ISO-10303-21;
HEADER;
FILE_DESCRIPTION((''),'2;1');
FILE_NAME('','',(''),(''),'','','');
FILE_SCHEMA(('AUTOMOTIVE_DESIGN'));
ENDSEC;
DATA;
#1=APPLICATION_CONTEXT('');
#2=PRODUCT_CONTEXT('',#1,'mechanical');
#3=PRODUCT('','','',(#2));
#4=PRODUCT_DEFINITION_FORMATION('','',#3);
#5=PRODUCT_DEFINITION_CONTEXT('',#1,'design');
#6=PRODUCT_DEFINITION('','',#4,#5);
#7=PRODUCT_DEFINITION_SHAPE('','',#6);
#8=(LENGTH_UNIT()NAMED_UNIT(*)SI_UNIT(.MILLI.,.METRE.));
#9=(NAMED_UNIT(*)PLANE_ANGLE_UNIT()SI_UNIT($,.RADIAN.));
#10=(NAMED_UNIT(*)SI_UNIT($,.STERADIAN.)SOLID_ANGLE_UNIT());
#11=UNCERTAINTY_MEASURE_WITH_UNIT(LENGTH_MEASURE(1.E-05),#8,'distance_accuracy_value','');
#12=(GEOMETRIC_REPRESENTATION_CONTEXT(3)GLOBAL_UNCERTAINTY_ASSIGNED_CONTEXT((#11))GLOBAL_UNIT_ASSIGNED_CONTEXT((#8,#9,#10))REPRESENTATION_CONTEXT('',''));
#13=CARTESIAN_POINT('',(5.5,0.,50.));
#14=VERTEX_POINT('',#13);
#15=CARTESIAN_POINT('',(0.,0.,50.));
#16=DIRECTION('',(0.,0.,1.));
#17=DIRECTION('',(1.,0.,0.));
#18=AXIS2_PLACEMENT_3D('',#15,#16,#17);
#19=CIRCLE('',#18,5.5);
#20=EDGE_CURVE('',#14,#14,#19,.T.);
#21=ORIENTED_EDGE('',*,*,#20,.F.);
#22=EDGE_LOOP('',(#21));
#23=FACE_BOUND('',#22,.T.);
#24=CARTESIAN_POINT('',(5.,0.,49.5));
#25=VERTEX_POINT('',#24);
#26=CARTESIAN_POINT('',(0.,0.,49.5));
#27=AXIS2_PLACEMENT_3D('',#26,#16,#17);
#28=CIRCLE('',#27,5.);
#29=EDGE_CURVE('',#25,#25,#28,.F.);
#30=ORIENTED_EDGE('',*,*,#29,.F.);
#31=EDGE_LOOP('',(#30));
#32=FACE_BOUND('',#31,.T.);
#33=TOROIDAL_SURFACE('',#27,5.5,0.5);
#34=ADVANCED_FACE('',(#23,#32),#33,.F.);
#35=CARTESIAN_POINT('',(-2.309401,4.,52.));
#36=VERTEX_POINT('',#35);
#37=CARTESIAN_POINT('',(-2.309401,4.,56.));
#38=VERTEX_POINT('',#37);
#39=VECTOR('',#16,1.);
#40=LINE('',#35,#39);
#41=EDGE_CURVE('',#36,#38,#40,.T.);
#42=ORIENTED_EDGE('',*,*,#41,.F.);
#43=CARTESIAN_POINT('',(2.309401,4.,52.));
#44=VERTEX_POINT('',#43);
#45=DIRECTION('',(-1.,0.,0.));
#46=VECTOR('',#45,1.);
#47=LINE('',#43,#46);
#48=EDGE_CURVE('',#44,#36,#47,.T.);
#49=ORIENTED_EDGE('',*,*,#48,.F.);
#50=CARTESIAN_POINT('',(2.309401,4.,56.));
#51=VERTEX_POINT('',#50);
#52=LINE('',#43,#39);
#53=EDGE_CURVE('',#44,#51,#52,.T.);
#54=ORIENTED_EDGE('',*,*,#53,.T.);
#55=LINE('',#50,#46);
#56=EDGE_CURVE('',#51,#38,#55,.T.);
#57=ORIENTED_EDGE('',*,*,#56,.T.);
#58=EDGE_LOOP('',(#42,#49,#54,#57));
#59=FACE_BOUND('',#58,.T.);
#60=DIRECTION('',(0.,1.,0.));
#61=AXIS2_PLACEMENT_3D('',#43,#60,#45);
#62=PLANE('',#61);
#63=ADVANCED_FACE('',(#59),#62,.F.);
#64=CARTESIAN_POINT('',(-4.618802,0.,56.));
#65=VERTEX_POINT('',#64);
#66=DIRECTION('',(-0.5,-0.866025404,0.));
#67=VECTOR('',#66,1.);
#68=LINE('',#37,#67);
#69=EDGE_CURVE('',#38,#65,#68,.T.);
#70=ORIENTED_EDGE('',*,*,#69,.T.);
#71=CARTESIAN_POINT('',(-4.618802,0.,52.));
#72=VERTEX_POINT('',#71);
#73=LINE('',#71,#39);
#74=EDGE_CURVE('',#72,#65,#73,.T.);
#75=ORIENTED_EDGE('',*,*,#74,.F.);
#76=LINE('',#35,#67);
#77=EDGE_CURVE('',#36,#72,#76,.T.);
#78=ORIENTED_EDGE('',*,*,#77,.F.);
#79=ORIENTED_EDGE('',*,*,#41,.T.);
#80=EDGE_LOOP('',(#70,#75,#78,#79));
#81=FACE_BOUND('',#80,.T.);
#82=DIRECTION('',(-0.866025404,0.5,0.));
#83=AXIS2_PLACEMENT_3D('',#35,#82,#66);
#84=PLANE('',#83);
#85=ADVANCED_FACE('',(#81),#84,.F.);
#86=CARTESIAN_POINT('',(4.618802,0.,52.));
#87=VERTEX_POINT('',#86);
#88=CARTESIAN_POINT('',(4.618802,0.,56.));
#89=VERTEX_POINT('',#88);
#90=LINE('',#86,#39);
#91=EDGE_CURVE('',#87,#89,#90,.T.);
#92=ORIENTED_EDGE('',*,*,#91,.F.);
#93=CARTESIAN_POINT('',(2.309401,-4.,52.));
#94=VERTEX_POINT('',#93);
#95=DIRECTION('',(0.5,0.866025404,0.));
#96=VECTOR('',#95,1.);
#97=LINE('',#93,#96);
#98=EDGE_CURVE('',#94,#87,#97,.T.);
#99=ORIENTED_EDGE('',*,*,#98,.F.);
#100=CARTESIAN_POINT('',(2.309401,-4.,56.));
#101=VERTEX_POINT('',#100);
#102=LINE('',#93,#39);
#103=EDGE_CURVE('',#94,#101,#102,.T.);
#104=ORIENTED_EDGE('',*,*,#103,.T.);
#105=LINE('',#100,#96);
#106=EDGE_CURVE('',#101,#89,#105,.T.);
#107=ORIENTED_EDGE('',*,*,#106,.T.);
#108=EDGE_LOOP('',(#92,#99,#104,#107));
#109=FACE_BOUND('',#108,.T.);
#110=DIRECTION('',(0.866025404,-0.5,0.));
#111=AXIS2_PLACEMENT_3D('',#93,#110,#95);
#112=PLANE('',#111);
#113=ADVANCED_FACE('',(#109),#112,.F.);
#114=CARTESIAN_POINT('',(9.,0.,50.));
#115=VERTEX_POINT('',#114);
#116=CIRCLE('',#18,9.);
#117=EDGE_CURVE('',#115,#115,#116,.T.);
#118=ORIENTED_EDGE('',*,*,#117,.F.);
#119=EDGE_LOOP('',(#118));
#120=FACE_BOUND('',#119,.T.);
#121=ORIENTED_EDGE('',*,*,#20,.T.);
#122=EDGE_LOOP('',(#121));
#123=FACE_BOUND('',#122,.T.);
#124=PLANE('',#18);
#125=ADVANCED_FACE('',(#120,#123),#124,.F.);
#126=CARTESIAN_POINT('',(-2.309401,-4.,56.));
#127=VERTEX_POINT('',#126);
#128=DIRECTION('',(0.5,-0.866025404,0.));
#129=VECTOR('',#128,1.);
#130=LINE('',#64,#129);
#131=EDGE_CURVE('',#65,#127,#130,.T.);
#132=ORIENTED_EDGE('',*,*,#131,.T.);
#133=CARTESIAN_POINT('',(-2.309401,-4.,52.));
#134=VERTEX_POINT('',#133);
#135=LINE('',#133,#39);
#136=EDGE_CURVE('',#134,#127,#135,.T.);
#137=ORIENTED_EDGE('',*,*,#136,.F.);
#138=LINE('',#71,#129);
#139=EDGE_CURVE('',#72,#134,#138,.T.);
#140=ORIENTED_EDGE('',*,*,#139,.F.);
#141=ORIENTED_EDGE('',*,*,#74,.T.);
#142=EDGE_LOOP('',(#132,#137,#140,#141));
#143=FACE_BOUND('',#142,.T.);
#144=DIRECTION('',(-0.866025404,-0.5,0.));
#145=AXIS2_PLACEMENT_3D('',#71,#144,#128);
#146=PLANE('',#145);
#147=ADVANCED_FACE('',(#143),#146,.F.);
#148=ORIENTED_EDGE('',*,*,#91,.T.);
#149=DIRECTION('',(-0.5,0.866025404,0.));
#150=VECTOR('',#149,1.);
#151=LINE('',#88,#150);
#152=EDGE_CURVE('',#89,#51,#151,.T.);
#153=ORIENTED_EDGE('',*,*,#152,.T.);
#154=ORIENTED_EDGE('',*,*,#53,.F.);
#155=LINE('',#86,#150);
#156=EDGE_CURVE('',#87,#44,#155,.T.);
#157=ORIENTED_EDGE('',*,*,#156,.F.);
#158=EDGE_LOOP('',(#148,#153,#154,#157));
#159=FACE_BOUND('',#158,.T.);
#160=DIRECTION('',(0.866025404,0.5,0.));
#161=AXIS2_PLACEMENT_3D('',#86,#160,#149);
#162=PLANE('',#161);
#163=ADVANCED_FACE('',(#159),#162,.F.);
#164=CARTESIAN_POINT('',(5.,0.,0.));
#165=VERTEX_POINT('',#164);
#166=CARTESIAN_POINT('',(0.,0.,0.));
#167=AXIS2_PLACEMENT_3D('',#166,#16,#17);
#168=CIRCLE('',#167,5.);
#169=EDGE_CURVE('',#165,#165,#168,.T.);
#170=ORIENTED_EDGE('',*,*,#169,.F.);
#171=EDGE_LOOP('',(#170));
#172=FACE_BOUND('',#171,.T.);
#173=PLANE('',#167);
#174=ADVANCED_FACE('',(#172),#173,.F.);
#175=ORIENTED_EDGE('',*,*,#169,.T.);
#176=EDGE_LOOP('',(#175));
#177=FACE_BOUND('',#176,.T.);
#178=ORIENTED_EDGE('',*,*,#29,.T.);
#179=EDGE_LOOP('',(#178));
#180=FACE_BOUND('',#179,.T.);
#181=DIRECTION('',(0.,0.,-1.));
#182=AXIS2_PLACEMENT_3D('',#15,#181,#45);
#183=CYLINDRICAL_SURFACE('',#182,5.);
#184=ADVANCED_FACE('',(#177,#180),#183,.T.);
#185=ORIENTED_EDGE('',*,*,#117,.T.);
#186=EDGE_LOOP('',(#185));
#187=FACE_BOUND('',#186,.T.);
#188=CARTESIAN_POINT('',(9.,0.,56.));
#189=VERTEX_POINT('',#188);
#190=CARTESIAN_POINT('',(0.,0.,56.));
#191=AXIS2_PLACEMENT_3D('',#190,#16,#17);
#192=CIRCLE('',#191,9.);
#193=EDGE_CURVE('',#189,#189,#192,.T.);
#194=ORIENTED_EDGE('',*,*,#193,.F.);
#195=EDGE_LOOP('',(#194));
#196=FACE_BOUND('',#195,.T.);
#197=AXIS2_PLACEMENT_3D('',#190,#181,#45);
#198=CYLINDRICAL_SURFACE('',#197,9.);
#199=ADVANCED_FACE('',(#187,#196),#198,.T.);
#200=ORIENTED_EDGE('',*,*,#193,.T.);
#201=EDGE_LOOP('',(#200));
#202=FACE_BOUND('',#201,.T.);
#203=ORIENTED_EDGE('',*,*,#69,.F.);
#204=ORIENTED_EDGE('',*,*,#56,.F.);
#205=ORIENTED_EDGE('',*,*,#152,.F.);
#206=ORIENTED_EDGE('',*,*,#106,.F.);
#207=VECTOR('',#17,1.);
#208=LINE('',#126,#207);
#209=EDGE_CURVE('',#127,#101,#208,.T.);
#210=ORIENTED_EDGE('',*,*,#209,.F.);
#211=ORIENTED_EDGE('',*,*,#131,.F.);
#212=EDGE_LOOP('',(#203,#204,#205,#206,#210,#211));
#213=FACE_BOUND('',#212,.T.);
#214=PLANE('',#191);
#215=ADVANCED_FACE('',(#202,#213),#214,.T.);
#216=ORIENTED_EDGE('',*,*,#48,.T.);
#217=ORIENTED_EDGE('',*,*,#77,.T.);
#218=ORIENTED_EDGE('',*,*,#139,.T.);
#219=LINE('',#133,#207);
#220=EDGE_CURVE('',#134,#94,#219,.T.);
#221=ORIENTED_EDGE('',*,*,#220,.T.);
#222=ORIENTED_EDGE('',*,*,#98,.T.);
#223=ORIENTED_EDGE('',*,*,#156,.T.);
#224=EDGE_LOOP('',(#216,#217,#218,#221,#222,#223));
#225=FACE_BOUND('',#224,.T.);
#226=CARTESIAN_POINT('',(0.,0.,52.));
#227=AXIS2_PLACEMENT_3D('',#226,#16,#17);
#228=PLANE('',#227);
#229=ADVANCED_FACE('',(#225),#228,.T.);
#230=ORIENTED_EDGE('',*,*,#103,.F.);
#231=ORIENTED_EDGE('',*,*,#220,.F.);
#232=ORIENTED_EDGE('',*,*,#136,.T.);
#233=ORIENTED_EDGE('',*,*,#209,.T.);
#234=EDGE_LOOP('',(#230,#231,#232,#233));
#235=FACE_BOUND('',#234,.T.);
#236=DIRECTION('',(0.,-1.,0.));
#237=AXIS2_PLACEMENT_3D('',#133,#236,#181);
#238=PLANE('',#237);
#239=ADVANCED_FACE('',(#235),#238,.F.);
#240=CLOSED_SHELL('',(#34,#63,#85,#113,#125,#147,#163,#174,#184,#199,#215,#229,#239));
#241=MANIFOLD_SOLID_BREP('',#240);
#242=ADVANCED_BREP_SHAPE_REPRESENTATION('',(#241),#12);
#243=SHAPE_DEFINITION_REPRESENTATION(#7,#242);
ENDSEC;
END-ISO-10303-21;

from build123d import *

# Parameters (mm, degrees)
SKETCH_1_R          = 5
EXTRUDE_1_DEPTH     = 50
SKETCH_2_R          = 9
EXTRUDE_2_DEPTH     = 6
CUT_EXTRUDE_1_DEPTH = 4
FILLET_1_R          = 0.5


with BuildPart() as part:
    # 草图1 → 凸台-拉伸1 (new body)
    with BuildSketch(Plane.XY):
        Circle(SKETCH_1_R)
    extrude(amount=EXTRUDE_1_DEPTH)

    # 草图2 → 凸台-拉伸2 (add)
    with BuildSketch(Plane.XY.offset(50)):
        Circle(SKETCH_2_R)
    extrude(amount=EXTRUDE_2_DEPTH)

    # 草图3 → 切除-拉伸1 (cut)
    with BuildSketch(Plane.XY.offset(56)):
        Polygon((4.618802154, 0), (2.309401077, 4), (-2.309401077, 4), (-4.618802154, 0), (-2.309401077, -4), (2.309401077, -4), align=None)
    extrude(amount=-CUT_EXTRUDE_1_DEPTH, mode=Mode.SUBTRACT)

    # 圆角1
    fillet_1_edges = [part.edges().sort_by_distance(p)[0] for p in [
        (-5, 0, 50),
    ]]
    fillet(fillet_1_edges, radius=FILLET_1_R)


solid = part.part
